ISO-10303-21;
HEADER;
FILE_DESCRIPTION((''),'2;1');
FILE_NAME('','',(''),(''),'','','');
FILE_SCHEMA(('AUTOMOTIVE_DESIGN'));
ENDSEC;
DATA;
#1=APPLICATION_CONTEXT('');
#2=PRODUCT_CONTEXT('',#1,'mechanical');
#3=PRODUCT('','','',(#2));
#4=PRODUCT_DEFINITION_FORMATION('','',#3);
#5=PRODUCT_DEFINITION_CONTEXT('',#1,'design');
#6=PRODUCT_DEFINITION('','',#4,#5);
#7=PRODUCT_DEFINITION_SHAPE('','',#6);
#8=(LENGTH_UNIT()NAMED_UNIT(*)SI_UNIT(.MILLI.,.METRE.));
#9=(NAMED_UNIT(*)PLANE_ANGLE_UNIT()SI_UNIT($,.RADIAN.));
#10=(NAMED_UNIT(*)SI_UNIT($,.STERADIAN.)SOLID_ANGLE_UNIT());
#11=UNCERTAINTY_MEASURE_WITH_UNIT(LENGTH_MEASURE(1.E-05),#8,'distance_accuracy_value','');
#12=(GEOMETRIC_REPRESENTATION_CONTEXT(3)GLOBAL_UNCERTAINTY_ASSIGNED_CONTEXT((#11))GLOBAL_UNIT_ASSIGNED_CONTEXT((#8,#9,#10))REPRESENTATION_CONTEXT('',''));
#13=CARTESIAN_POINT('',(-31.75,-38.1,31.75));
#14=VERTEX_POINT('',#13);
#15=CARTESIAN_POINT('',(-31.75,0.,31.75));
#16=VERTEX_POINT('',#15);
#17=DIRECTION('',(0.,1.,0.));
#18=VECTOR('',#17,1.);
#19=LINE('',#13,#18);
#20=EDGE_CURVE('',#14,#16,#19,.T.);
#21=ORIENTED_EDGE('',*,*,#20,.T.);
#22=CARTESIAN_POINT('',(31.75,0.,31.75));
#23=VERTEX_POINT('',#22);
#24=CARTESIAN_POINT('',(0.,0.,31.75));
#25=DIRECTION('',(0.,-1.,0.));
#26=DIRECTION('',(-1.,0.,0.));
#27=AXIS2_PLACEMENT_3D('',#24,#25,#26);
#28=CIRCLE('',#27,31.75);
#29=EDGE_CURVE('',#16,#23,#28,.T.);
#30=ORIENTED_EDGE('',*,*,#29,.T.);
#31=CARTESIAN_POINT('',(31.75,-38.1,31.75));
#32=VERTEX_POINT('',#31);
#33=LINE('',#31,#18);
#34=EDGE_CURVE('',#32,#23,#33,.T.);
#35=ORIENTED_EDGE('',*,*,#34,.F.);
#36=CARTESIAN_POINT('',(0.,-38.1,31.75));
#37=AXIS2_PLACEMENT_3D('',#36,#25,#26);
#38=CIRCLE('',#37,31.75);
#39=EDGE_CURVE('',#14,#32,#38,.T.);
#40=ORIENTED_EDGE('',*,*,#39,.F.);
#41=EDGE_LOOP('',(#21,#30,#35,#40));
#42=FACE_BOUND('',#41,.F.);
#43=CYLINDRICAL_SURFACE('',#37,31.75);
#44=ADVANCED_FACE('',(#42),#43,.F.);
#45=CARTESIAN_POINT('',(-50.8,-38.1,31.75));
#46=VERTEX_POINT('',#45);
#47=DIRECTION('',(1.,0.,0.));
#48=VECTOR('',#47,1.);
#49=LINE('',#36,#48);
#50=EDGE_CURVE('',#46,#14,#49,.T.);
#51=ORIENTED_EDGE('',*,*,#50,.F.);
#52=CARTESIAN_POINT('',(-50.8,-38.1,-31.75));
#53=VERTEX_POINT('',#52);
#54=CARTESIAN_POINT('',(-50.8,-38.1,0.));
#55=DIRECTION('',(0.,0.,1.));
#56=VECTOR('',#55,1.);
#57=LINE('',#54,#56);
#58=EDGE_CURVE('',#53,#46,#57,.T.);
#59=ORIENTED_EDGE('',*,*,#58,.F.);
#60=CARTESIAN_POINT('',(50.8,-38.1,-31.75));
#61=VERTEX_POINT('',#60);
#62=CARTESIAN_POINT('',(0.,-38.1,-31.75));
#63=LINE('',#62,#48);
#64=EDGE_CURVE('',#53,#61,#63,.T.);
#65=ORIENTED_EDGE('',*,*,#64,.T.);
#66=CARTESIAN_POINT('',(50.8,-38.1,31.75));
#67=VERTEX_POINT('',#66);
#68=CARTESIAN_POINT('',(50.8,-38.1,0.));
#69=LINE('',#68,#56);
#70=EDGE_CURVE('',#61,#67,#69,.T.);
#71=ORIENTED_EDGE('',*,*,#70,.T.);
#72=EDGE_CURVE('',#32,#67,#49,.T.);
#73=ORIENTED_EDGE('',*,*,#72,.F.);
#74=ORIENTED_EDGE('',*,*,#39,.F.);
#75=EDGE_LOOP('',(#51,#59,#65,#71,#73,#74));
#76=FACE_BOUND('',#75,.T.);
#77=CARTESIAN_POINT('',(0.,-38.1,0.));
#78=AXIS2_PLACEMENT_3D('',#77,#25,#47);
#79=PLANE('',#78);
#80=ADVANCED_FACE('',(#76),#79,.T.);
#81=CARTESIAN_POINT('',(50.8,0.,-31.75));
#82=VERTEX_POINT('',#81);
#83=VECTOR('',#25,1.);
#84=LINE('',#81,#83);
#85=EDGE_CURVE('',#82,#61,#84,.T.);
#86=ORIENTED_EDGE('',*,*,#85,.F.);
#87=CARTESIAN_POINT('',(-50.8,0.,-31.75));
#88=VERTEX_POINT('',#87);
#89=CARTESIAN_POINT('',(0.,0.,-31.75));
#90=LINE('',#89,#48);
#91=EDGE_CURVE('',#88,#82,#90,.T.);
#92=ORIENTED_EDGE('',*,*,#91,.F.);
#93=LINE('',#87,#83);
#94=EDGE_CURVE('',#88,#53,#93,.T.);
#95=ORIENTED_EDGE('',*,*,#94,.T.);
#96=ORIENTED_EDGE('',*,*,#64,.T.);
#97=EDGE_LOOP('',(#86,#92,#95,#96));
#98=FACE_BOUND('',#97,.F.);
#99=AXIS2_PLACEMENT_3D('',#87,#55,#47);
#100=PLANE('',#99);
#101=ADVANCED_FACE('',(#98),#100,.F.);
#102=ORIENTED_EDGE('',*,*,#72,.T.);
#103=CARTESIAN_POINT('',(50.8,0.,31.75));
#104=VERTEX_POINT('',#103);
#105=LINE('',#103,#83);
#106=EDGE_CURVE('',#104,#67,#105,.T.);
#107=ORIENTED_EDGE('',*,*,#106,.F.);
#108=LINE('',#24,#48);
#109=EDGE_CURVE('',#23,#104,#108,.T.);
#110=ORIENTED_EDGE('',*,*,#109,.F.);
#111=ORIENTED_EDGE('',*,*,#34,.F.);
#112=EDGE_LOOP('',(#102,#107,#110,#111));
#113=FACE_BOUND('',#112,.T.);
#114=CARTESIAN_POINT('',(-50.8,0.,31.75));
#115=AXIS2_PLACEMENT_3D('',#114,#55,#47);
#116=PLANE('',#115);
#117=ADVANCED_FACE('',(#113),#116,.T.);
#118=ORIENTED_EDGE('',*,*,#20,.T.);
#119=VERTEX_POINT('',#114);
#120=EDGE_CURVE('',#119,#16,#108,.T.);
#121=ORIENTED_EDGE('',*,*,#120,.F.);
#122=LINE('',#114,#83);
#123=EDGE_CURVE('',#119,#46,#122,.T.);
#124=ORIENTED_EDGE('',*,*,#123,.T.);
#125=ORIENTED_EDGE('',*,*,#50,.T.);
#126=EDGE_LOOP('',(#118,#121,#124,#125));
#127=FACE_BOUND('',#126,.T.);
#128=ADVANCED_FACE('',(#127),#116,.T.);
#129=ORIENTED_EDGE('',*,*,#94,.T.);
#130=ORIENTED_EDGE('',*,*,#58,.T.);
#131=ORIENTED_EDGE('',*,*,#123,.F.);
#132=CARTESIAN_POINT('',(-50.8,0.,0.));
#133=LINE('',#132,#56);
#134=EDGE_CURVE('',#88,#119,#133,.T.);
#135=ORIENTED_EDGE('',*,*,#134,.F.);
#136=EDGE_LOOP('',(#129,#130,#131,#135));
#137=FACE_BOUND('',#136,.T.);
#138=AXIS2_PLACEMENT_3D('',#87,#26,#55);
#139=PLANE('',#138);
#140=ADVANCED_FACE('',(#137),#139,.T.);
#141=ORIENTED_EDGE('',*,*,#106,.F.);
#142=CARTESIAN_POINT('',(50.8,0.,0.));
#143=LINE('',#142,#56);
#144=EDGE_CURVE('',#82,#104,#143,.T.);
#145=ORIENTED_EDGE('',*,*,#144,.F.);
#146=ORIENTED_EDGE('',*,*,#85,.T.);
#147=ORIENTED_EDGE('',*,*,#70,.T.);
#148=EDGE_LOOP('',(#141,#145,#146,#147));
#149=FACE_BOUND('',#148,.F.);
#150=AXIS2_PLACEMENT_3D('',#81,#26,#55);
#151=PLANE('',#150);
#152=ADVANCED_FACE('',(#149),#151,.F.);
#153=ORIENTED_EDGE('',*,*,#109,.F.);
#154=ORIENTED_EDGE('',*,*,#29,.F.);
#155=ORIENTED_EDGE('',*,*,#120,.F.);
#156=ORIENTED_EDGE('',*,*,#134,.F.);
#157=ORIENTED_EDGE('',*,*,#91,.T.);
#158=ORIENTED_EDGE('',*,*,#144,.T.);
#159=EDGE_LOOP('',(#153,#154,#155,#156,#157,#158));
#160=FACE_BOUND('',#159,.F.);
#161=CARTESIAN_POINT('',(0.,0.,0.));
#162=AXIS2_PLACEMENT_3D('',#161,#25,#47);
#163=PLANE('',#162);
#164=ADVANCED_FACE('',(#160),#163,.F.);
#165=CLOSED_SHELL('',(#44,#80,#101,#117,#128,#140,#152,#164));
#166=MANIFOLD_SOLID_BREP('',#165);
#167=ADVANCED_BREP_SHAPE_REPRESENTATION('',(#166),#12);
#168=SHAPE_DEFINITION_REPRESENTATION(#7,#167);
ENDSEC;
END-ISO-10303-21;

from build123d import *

# Parameters (mm, degrees)
F0_W     = 101.6
F0_H     = 63.5
F1_DEPTH = 38.1
F3_DEPTH = 50.8


with BuildPart() as f1:
    # F0 (on Front) → F1 (new body)
    with BuildSketch(Plane.XZ):
        Rectangle(F0_W, F0_H)
    extrude(amount=F1_DEPTH)

    # F2 (on face) → F3 (cut)
    with BuildSketch(Plane.XZ.offset(38.1)):
        with BuildLine():
            ThreePointArc((-31.75, 31.75), (0, 0), (31.75, 31.75))
            Line((31.75, 31.75), (-31.75, 31.75))
        make_face()
    extrude(amount=-F3_DEPTH, mode=Mode.SUBTRACT)


solid = f1.part
